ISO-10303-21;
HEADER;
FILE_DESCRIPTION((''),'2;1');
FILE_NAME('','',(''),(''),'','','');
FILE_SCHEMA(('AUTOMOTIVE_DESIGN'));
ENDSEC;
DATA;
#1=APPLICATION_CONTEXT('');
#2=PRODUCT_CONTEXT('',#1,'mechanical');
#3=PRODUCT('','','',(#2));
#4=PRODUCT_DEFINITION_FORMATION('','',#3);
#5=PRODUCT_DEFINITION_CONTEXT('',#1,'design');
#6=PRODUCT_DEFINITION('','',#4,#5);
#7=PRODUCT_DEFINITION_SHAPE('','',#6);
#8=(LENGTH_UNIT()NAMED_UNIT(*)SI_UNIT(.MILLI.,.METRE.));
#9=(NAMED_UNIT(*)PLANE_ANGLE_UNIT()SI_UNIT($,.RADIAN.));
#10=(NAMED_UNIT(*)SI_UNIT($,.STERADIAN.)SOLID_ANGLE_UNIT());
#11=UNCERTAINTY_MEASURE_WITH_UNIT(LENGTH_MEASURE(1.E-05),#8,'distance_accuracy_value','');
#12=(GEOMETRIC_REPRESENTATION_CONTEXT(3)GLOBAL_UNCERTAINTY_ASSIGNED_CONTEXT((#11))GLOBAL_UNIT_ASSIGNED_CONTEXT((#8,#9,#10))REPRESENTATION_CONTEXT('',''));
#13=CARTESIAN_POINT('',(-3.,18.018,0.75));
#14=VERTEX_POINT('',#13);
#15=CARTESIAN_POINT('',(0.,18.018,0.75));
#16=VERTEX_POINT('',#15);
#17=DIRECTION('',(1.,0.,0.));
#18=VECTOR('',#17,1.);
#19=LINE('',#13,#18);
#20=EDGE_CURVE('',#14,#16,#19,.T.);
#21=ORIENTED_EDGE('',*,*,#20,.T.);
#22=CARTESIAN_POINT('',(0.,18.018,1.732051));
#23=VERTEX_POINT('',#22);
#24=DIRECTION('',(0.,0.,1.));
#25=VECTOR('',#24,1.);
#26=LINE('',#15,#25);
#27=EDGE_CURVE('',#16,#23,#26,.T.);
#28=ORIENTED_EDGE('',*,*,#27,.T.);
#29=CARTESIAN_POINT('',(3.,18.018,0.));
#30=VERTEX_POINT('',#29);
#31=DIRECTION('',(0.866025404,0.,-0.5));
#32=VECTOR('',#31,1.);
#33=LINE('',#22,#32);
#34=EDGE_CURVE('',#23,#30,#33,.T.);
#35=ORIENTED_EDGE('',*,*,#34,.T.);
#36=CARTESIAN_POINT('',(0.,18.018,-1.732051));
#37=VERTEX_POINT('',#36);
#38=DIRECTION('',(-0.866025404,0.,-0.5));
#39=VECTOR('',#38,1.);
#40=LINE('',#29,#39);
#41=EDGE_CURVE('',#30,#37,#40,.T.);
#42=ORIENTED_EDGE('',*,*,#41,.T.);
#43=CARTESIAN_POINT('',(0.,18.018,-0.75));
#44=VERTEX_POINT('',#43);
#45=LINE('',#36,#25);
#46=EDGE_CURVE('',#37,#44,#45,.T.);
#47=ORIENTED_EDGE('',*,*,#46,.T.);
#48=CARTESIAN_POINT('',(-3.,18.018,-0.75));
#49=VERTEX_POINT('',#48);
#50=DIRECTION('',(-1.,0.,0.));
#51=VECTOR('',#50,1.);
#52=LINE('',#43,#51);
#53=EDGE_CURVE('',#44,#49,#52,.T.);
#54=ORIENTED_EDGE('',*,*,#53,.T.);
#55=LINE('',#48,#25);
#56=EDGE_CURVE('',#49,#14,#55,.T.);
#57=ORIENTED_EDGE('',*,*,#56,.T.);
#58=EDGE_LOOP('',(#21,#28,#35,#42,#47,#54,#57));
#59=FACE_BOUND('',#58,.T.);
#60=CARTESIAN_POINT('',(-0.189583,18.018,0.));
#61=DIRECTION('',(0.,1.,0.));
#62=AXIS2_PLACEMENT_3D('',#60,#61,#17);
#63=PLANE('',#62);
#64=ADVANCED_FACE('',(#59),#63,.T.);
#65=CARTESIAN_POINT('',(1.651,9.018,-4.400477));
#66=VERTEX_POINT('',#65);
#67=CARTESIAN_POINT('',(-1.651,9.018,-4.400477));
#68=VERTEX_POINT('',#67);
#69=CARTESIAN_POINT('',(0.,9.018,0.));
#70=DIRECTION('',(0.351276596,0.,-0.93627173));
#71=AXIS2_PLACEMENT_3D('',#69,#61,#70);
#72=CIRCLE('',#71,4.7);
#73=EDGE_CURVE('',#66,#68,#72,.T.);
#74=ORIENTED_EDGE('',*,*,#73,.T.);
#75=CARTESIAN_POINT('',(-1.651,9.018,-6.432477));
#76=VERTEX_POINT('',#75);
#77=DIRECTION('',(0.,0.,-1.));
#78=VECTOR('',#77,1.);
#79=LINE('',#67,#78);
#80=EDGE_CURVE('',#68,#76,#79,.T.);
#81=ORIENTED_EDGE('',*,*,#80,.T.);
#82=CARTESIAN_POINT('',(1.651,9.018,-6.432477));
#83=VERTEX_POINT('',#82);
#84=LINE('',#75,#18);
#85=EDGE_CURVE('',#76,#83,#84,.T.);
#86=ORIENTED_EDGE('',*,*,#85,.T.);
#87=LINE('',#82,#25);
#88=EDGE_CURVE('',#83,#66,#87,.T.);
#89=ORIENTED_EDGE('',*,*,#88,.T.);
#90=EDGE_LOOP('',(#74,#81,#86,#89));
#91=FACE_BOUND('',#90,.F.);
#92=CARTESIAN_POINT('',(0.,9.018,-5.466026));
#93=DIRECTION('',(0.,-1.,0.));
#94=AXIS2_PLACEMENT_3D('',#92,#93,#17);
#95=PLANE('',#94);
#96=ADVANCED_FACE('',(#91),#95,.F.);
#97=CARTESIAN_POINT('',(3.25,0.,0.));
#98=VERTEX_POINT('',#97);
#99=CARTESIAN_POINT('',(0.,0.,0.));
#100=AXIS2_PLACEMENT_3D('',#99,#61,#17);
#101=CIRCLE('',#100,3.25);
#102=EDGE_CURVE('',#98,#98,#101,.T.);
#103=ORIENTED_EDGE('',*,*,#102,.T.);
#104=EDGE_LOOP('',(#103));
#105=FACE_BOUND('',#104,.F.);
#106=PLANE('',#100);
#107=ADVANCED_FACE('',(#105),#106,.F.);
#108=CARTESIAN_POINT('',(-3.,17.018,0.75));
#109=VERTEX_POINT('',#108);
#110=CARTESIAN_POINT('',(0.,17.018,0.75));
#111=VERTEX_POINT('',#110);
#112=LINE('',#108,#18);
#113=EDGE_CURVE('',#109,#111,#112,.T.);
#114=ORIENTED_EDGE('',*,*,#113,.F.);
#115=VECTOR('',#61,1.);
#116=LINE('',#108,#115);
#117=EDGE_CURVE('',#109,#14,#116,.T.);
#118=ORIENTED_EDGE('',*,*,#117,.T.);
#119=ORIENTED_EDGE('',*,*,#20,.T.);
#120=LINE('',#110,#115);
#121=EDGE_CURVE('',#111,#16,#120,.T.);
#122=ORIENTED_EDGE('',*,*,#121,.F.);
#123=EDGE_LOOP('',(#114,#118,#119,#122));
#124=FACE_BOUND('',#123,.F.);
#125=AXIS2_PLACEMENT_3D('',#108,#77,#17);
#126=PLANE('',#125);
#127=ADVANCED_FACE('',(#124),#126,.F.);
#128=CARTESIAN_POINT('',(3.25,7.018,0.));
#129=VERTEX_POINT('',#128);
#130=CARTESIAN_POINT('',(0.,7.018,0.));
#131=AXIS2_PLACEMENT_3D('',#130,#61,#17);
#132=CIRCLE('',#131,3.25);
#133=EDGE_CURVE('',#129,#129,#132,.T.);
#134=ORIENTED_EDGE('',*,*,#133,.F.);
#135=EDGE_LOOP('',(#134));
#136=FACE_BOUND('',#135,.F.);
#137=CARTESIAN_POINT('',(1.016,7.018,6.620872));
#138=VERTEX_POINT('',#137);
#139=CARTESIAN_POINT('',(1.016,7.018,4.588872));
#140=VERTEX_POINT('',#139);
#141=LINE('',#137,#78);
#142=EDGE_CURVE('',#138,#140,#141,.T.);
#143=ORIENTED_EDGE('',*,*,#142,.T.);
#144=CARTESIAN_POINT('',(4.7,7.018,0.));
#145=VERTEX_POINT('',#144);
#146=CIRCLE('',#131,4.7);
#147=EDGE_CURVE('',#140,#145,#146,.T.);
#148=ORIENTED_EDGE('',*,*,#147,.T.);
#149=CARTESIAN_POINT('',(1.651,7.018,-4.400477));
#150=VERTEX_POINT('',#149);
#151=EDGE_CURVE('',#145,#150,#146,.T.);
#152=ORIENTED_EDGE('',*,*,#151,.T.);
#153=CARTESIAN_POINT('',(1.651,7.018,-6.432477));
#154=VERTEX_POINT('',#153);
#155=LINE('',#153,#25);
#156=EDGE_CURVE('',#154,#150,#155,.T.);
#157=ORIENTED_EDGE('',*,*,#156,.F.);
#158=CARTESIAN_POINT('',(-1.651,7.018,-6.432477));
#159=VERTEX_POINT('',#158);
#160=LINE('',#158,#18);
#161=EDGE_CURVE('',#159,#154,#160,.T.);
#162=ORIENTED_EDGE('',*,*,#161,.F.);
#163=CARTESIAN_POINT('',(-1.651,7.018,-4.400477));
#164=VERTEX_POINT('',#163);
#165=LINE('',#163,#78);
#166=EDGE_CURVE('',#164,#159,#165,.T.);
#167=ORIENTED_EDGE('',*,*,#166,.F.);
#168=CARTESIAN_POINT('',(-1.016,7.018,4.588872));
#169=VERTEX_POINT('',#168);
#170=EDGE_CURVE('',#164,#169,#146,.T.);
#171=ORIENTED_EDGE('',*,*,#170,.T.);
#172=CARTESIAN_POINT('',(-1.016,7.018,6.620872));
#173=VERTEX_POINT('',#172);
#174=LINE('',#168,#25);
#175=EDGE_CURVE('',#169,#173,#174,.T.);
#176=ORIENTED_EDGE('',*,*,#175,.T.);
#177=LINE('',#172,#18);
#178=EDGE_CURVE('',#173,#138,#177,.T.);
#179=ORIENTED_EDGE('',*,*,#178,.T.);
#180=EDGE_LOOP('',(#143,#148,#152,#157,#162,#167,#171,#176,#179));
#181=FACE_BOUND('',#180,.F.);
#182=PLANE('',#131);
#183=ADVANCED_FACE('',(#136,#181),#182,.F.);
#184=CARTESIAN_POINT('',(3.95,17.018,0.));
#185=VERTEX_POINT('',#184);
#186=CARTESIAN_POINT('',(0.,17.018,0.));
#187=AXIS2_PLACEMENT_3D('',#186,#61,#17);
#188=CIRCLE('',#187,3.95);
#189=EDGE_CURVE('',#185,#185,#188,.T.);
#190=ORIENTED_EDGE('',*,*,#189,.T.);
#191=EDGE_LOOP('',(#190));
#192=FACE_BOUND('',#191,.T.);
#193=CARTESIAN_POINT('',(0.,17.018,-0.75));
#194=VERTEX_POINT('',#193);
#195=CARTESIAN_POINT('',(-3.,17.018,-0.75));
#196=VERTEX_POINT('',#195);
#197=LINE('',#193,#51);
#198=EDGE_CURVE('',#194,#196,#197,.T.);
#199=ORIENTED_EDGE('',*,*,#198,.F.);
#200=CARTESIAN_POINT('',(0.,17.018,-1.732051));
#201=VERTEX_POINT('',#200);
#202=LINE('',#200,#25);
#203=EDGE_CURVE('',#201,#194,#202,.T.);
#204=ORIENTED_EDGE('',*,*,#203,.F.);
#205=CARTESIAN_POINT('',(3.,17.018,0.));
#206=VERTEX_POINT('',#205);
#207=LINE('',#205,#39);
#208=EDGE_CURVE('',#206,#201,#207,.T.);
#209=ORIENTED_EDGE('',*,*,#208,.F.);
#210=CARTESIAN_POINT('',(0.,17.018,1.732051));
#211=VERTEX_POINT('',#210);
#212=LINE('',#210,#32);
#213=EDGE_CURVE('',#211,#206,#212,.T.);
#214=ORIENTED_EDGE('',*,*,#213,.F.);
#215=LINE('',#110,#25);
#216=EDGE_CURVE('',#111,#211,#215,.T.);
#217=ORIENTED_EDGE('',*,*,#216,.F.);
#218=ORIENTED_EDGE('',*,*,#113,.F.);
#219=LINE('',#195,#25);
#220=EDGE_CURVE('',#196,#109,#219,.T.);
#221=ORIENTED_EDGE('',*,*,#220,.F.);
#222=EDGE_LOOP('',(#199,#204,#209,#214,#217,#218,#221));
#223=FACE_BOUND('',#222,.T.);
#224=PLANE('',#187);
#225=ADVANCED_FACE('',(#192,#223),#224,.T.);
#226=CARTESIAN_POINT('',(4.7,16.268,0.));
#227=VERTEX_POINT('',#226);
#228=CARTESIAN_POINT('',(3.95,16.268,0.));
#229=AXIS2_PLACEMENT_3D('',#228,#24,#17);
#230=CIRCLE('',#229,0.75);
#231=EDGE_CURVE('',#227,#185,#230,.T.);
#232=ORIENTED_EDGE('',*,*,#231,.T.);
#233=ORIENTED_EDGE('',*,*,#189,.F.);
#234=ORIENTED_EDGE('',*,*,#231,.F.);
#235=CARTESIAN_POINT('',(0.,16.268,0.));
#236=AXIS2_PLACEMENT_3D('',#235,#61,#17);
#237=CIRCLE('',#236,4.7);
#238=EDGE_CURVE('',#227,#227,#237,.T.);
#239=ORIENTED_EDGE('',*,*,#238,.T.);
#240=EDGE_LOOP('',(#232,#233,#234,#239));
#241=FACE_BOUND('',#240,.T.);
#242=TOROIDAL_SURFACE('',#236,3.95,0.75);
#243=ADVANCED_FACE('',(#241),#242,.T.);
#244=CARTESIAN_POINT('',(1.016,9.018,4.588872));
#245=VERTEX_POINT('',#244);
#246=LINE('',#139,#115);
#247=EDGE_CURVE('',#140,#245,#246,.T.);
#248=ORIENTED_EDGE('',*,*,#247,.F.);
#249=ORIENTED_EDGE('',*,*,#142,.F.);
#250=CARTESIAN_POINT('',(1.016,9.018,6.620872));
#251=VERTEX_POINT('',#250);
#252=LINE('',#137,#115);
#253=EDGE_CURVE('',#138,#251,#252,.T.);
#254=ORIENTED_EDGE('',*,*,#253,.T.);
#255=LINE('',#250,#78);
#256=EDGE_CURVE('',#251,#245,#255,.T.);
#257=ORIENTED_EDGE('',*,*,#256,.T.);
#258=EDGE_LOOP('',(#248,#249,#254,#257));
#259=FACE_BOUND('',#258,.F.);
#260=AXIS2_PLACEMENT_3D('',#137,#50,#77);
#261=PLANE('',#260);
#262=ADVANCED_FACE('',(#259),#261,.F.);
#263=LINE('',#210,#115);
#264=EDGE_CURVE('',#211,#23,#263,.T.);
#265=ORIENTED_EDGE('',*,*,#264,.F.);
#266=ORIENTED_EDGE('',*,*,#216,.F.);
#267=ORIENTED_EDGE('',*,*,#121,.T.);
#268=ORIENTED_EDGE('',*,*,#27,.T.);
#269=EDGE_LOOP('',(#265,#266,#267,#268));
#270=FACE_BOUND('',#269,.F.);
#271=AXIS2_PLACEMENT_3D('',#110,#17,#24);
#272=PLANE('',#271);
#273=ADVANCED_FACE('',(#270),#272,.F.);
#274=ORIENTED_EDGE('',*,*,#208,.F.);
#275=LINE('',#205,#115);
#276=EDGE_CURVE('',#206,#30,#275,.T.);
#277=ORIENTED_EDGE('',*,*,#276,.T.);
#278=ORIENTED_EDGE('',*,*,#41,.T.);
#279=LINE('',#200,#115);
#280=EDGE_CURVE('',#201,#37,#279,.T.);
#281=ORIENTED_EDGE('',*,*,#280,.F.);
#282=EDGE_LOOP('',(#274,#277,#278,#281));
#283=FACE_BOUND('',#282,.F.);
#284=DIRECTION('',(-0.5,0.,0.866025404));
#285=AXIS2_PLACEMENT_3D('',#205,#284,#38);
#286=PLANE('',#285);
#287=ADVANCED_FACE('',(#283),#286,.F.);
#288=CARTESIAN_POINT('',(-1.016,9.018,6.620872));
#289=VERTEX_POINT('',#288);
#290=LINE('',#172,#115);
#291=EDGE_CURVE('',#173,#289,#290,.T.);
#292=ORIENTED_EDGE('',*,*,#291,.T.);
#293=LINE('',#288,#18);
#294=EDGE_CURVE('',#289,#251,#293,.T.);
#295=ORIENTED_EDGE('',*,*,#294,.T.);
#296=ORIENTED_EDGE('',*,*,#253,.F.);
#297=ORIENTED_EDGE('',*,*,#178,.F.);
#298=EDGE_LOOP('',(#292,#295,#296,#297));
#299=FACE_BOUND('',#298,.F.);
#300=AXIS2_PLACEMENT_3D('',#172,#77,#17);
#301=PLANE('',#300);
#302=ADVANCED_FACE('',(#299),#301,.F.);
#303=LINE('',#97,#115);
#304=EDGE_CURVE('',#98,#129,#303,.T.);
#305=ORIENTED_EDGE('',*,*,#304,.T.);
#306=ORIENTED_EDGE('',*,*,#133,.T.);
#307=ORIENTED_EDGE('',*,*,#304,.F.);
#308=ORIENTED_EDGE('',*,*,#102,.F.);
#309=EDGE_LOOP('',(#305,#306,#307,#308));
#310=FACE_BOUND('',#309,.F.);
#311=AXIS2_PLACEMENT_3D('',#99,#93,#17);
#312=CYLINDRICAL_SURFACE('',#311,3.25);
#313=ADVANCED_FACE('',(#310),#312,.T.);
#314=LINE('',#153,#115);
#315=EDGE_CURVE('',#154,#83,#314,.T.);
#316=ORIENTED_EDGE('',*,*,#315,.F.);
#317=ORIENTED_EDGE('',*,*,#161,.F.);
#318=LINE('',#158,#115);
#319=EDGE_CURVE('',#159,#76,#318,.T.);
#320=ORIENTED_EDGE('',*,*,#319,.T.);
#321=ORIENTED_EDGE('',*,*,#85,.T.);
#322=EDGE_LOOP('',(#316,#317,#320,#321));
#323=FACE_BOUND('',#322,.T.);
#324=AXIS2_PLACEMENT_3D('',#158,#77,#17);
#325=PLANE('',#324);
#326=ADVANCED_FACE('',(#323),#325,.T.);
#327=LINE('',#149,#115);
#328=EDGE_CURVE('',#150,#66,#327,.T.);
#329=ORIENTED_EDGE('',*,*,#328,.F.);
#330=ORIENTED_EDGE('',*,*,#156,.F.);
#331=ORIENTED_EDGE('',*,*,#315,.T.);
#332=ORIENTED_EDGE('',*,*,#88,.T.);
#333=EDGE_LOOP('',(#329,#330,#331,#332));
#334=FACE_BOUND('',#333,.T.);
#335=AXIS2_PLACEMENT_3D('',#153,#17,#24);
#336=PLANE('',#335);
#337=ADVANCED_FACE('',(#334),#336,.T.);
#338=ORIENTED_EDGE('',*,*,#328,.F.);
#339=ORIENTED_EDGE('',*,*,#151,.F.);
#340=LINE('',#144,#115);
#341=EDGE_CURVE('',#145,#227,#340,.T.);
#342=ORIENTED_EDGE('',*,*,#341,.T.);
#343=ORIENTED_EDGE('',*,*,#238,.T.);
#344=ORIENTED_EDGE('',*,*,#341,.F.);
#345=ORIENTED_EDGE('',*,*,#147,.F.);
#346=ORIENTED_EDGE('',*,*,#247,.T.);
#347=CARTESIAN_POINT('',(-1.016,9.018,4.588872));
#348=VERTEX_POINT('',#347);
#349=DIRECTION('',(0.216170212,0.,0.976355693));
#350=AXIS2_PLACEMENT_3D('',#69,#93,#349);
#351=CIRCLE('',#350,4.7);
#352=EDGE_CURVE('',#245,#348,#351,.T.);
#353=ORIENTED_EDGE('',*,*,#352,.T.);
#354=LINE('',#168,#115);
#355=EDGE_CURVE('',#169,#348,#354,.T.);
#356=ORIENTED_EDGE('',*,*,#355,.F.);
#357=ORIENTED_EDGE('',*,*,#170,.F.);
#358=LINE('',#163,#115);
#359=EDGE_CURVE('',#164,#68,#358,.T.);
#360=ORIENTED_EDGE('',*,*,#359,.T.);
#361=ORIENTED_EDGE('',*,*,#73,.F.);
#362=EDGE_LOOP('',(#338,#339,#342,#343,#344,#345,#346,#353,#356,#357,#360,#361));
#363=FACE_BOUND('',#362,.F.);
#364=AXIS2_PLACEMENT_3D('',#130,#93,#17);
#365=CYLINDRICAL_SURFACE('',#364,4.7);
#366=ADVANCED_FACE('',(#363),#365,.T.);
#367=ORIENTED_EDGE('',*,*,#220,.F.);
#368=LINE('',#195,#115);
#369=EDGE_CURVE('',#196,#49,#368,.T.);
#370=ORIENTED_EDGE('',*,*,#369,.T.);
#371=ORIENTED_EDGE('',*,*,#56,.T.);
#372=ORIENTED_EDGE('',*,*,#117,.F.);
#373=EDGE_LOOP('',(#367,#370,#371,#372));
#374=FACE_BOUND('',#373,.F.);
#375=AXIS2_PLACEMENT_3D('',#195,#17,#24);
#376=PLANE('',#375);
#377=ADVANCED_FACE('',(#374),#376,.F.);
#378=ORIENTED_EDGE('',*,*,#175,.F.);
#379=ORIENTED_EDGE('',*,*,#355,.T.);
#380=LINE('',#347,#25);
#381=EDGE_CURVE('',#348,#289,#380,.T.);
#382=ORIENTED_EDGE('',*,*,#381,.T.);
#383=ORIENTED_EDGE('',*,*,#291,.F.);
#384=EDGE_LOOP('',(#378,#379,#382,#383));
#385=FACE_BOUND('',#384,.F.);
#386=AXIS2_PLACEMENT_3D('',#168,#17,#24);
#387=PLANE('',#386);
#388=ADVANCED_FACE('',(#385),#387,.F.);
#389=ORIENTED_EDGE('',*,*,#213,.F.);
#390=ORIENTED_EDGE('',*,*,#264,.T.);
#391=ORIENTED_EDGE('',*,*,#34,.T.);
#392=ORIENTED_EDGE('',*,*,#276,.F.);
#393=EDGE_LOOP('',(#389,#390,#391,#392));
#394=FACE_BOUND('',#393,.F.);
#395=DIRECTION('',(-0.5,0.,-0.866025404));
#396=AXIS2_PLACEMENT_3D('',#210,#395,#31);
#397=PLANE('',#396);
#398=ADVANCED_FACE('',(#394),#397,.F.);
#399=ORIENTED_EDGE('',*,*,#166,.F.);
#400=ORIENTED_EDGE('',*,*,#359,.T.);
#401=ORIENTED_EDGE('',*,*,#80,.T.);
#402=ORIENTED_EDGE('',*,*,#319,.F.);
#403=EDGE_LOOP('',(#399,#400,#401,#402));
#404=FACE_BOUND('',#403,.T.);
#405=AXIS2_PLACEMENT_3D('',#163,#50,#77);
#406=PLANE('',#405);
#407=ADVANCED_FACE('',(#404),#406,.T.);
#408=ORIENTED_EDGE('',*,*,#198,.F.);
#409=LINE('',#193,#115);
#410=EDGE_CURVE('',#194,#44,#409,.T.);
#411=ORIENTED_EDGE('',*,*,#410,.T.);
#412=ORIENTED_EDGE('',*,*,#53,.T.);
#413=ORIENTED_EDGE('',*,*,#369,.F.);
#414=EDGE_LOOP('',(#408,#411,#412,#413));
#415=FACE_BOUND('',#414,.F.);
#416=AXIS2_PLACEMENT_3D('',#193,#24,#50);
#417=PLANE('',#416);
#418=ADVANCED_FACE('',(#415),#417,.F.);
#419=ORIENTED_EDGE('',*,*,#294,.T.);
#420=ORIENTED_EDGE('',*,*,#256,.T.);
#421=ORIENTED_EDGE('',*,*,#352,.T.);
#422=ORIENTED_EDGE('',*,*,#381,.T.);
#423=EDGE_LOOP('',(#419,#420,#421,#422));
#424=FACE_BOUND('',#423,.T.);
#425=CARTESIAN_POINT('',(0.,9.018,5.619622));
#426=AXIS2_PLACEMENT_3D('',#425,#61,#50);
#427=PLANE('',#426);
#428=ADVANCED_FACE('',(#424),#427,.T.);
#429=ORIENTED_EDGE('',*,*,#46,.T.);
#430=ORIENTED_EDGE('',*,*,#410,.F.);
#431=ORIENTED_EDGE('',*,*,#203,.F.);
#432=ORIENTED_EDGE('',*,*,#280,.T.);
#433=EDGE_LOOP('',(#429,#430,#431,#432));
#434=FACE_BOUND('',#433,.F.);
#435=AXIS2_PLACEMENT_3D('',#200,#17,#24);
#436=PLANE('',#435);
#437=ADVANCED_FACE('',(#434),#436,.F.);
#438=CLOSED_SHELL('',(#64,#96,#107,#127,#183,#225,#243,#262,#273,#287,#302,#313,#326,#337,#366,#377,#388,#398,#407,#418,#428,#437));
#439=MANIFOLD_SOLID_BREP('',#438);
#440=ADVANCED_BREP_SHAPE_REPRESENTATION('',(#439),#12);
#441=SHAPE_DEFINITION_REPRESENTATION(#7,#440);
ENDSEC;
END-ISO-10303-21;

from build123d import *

# Parameters (mm, degrees)
SKETCH1_R           = 3.25
BOSS_EXTRUDE1_DEPTH = 7.018
SKETCH6_R           = 4.7
BOSS_EXTRUDE2_DEPTH = 10
FILLET1_R           = 0.75
BOSS_EXTRUDE3_DEPTH = 1
BOSS_EXTRUDE4_DEPTH = 2


with BuildPart() as part:
    # Sketch1 → Boss-Extrude1 (new body)
    with BuildSketch(Plane(origin=(0, 0, 0), x_dir=(1, 0, 0), z_dir=(0, 1, 0))):
        Circle(SKETCH1_R)
    extrude(amount=BOSS_EXTRUDE1_DEPTH)

    # Sketch6 → Boss-Extrude2 (add)
    with BuildSketch(Plane(origin=(0, 7.018, 0), x_dir=(1, 0, 0), z_dir=(0, 1, 0))):
        Circle(SKETCH6_R)
    extrude(amount=BOSS_EXTRUDE2_DEPTH)

    # Fillet1
    fillet1_edges = [part.edges().sort_by_distance(p)[0] for p in [
        (-4.7, 17.018, 0),
    ]]
    fillet(fillet1_edges, radius=FILLET1_R)

    # Sketch8 → Boss-Extrude3 (add)
    with BuildSketch(Plane(origin=(0, 17.018, 0), x_dir=(1, 0, 0), z_dir=(0, 1, 0))):
        Polygon((0, 0.75), (-3, 0.75), (-3, -0.75), (0, -0.75), (0, -1.732050808), (3, 0), (0, 1.732050808), align=None)
    extrude(amount=BOSS_EXTRUDE3_DEPTH)

    # Sketch9 → Boss-Extrude4 (add)
    with BuildSketch(Plane.XZ.offset(-7.018)):
        with BuildLine():
            Line((-1.016, 4.588871757), (-1.016, 6.620871757))
            Line((-1.016, 6.620871757), (1.016, 6.620871757))
            Line((1.016, 6.620871757), (1.016, 4.588871757))
            ThreePointArc((1.016, 4.588871757), (0, 4.7), (-1.016, 4.588871757))
        make_face()
        with BuildLine():
            Line((-1.651, -4.400477133), (-1.651, -6.432477133))
            Line((-1.651, -6.432477133), (1.651, -6.432477133))
            Line((1.651, -6.432477133), (1.651, -4.400477133))
            ThreePointArc((1.651, -4.400477133), (0, -4.7), (-1.651, -4.400477133))
        make_face()
    extrude(amount=-BOSS_EXTRUDE4_DEPTH)


solid = part.part
